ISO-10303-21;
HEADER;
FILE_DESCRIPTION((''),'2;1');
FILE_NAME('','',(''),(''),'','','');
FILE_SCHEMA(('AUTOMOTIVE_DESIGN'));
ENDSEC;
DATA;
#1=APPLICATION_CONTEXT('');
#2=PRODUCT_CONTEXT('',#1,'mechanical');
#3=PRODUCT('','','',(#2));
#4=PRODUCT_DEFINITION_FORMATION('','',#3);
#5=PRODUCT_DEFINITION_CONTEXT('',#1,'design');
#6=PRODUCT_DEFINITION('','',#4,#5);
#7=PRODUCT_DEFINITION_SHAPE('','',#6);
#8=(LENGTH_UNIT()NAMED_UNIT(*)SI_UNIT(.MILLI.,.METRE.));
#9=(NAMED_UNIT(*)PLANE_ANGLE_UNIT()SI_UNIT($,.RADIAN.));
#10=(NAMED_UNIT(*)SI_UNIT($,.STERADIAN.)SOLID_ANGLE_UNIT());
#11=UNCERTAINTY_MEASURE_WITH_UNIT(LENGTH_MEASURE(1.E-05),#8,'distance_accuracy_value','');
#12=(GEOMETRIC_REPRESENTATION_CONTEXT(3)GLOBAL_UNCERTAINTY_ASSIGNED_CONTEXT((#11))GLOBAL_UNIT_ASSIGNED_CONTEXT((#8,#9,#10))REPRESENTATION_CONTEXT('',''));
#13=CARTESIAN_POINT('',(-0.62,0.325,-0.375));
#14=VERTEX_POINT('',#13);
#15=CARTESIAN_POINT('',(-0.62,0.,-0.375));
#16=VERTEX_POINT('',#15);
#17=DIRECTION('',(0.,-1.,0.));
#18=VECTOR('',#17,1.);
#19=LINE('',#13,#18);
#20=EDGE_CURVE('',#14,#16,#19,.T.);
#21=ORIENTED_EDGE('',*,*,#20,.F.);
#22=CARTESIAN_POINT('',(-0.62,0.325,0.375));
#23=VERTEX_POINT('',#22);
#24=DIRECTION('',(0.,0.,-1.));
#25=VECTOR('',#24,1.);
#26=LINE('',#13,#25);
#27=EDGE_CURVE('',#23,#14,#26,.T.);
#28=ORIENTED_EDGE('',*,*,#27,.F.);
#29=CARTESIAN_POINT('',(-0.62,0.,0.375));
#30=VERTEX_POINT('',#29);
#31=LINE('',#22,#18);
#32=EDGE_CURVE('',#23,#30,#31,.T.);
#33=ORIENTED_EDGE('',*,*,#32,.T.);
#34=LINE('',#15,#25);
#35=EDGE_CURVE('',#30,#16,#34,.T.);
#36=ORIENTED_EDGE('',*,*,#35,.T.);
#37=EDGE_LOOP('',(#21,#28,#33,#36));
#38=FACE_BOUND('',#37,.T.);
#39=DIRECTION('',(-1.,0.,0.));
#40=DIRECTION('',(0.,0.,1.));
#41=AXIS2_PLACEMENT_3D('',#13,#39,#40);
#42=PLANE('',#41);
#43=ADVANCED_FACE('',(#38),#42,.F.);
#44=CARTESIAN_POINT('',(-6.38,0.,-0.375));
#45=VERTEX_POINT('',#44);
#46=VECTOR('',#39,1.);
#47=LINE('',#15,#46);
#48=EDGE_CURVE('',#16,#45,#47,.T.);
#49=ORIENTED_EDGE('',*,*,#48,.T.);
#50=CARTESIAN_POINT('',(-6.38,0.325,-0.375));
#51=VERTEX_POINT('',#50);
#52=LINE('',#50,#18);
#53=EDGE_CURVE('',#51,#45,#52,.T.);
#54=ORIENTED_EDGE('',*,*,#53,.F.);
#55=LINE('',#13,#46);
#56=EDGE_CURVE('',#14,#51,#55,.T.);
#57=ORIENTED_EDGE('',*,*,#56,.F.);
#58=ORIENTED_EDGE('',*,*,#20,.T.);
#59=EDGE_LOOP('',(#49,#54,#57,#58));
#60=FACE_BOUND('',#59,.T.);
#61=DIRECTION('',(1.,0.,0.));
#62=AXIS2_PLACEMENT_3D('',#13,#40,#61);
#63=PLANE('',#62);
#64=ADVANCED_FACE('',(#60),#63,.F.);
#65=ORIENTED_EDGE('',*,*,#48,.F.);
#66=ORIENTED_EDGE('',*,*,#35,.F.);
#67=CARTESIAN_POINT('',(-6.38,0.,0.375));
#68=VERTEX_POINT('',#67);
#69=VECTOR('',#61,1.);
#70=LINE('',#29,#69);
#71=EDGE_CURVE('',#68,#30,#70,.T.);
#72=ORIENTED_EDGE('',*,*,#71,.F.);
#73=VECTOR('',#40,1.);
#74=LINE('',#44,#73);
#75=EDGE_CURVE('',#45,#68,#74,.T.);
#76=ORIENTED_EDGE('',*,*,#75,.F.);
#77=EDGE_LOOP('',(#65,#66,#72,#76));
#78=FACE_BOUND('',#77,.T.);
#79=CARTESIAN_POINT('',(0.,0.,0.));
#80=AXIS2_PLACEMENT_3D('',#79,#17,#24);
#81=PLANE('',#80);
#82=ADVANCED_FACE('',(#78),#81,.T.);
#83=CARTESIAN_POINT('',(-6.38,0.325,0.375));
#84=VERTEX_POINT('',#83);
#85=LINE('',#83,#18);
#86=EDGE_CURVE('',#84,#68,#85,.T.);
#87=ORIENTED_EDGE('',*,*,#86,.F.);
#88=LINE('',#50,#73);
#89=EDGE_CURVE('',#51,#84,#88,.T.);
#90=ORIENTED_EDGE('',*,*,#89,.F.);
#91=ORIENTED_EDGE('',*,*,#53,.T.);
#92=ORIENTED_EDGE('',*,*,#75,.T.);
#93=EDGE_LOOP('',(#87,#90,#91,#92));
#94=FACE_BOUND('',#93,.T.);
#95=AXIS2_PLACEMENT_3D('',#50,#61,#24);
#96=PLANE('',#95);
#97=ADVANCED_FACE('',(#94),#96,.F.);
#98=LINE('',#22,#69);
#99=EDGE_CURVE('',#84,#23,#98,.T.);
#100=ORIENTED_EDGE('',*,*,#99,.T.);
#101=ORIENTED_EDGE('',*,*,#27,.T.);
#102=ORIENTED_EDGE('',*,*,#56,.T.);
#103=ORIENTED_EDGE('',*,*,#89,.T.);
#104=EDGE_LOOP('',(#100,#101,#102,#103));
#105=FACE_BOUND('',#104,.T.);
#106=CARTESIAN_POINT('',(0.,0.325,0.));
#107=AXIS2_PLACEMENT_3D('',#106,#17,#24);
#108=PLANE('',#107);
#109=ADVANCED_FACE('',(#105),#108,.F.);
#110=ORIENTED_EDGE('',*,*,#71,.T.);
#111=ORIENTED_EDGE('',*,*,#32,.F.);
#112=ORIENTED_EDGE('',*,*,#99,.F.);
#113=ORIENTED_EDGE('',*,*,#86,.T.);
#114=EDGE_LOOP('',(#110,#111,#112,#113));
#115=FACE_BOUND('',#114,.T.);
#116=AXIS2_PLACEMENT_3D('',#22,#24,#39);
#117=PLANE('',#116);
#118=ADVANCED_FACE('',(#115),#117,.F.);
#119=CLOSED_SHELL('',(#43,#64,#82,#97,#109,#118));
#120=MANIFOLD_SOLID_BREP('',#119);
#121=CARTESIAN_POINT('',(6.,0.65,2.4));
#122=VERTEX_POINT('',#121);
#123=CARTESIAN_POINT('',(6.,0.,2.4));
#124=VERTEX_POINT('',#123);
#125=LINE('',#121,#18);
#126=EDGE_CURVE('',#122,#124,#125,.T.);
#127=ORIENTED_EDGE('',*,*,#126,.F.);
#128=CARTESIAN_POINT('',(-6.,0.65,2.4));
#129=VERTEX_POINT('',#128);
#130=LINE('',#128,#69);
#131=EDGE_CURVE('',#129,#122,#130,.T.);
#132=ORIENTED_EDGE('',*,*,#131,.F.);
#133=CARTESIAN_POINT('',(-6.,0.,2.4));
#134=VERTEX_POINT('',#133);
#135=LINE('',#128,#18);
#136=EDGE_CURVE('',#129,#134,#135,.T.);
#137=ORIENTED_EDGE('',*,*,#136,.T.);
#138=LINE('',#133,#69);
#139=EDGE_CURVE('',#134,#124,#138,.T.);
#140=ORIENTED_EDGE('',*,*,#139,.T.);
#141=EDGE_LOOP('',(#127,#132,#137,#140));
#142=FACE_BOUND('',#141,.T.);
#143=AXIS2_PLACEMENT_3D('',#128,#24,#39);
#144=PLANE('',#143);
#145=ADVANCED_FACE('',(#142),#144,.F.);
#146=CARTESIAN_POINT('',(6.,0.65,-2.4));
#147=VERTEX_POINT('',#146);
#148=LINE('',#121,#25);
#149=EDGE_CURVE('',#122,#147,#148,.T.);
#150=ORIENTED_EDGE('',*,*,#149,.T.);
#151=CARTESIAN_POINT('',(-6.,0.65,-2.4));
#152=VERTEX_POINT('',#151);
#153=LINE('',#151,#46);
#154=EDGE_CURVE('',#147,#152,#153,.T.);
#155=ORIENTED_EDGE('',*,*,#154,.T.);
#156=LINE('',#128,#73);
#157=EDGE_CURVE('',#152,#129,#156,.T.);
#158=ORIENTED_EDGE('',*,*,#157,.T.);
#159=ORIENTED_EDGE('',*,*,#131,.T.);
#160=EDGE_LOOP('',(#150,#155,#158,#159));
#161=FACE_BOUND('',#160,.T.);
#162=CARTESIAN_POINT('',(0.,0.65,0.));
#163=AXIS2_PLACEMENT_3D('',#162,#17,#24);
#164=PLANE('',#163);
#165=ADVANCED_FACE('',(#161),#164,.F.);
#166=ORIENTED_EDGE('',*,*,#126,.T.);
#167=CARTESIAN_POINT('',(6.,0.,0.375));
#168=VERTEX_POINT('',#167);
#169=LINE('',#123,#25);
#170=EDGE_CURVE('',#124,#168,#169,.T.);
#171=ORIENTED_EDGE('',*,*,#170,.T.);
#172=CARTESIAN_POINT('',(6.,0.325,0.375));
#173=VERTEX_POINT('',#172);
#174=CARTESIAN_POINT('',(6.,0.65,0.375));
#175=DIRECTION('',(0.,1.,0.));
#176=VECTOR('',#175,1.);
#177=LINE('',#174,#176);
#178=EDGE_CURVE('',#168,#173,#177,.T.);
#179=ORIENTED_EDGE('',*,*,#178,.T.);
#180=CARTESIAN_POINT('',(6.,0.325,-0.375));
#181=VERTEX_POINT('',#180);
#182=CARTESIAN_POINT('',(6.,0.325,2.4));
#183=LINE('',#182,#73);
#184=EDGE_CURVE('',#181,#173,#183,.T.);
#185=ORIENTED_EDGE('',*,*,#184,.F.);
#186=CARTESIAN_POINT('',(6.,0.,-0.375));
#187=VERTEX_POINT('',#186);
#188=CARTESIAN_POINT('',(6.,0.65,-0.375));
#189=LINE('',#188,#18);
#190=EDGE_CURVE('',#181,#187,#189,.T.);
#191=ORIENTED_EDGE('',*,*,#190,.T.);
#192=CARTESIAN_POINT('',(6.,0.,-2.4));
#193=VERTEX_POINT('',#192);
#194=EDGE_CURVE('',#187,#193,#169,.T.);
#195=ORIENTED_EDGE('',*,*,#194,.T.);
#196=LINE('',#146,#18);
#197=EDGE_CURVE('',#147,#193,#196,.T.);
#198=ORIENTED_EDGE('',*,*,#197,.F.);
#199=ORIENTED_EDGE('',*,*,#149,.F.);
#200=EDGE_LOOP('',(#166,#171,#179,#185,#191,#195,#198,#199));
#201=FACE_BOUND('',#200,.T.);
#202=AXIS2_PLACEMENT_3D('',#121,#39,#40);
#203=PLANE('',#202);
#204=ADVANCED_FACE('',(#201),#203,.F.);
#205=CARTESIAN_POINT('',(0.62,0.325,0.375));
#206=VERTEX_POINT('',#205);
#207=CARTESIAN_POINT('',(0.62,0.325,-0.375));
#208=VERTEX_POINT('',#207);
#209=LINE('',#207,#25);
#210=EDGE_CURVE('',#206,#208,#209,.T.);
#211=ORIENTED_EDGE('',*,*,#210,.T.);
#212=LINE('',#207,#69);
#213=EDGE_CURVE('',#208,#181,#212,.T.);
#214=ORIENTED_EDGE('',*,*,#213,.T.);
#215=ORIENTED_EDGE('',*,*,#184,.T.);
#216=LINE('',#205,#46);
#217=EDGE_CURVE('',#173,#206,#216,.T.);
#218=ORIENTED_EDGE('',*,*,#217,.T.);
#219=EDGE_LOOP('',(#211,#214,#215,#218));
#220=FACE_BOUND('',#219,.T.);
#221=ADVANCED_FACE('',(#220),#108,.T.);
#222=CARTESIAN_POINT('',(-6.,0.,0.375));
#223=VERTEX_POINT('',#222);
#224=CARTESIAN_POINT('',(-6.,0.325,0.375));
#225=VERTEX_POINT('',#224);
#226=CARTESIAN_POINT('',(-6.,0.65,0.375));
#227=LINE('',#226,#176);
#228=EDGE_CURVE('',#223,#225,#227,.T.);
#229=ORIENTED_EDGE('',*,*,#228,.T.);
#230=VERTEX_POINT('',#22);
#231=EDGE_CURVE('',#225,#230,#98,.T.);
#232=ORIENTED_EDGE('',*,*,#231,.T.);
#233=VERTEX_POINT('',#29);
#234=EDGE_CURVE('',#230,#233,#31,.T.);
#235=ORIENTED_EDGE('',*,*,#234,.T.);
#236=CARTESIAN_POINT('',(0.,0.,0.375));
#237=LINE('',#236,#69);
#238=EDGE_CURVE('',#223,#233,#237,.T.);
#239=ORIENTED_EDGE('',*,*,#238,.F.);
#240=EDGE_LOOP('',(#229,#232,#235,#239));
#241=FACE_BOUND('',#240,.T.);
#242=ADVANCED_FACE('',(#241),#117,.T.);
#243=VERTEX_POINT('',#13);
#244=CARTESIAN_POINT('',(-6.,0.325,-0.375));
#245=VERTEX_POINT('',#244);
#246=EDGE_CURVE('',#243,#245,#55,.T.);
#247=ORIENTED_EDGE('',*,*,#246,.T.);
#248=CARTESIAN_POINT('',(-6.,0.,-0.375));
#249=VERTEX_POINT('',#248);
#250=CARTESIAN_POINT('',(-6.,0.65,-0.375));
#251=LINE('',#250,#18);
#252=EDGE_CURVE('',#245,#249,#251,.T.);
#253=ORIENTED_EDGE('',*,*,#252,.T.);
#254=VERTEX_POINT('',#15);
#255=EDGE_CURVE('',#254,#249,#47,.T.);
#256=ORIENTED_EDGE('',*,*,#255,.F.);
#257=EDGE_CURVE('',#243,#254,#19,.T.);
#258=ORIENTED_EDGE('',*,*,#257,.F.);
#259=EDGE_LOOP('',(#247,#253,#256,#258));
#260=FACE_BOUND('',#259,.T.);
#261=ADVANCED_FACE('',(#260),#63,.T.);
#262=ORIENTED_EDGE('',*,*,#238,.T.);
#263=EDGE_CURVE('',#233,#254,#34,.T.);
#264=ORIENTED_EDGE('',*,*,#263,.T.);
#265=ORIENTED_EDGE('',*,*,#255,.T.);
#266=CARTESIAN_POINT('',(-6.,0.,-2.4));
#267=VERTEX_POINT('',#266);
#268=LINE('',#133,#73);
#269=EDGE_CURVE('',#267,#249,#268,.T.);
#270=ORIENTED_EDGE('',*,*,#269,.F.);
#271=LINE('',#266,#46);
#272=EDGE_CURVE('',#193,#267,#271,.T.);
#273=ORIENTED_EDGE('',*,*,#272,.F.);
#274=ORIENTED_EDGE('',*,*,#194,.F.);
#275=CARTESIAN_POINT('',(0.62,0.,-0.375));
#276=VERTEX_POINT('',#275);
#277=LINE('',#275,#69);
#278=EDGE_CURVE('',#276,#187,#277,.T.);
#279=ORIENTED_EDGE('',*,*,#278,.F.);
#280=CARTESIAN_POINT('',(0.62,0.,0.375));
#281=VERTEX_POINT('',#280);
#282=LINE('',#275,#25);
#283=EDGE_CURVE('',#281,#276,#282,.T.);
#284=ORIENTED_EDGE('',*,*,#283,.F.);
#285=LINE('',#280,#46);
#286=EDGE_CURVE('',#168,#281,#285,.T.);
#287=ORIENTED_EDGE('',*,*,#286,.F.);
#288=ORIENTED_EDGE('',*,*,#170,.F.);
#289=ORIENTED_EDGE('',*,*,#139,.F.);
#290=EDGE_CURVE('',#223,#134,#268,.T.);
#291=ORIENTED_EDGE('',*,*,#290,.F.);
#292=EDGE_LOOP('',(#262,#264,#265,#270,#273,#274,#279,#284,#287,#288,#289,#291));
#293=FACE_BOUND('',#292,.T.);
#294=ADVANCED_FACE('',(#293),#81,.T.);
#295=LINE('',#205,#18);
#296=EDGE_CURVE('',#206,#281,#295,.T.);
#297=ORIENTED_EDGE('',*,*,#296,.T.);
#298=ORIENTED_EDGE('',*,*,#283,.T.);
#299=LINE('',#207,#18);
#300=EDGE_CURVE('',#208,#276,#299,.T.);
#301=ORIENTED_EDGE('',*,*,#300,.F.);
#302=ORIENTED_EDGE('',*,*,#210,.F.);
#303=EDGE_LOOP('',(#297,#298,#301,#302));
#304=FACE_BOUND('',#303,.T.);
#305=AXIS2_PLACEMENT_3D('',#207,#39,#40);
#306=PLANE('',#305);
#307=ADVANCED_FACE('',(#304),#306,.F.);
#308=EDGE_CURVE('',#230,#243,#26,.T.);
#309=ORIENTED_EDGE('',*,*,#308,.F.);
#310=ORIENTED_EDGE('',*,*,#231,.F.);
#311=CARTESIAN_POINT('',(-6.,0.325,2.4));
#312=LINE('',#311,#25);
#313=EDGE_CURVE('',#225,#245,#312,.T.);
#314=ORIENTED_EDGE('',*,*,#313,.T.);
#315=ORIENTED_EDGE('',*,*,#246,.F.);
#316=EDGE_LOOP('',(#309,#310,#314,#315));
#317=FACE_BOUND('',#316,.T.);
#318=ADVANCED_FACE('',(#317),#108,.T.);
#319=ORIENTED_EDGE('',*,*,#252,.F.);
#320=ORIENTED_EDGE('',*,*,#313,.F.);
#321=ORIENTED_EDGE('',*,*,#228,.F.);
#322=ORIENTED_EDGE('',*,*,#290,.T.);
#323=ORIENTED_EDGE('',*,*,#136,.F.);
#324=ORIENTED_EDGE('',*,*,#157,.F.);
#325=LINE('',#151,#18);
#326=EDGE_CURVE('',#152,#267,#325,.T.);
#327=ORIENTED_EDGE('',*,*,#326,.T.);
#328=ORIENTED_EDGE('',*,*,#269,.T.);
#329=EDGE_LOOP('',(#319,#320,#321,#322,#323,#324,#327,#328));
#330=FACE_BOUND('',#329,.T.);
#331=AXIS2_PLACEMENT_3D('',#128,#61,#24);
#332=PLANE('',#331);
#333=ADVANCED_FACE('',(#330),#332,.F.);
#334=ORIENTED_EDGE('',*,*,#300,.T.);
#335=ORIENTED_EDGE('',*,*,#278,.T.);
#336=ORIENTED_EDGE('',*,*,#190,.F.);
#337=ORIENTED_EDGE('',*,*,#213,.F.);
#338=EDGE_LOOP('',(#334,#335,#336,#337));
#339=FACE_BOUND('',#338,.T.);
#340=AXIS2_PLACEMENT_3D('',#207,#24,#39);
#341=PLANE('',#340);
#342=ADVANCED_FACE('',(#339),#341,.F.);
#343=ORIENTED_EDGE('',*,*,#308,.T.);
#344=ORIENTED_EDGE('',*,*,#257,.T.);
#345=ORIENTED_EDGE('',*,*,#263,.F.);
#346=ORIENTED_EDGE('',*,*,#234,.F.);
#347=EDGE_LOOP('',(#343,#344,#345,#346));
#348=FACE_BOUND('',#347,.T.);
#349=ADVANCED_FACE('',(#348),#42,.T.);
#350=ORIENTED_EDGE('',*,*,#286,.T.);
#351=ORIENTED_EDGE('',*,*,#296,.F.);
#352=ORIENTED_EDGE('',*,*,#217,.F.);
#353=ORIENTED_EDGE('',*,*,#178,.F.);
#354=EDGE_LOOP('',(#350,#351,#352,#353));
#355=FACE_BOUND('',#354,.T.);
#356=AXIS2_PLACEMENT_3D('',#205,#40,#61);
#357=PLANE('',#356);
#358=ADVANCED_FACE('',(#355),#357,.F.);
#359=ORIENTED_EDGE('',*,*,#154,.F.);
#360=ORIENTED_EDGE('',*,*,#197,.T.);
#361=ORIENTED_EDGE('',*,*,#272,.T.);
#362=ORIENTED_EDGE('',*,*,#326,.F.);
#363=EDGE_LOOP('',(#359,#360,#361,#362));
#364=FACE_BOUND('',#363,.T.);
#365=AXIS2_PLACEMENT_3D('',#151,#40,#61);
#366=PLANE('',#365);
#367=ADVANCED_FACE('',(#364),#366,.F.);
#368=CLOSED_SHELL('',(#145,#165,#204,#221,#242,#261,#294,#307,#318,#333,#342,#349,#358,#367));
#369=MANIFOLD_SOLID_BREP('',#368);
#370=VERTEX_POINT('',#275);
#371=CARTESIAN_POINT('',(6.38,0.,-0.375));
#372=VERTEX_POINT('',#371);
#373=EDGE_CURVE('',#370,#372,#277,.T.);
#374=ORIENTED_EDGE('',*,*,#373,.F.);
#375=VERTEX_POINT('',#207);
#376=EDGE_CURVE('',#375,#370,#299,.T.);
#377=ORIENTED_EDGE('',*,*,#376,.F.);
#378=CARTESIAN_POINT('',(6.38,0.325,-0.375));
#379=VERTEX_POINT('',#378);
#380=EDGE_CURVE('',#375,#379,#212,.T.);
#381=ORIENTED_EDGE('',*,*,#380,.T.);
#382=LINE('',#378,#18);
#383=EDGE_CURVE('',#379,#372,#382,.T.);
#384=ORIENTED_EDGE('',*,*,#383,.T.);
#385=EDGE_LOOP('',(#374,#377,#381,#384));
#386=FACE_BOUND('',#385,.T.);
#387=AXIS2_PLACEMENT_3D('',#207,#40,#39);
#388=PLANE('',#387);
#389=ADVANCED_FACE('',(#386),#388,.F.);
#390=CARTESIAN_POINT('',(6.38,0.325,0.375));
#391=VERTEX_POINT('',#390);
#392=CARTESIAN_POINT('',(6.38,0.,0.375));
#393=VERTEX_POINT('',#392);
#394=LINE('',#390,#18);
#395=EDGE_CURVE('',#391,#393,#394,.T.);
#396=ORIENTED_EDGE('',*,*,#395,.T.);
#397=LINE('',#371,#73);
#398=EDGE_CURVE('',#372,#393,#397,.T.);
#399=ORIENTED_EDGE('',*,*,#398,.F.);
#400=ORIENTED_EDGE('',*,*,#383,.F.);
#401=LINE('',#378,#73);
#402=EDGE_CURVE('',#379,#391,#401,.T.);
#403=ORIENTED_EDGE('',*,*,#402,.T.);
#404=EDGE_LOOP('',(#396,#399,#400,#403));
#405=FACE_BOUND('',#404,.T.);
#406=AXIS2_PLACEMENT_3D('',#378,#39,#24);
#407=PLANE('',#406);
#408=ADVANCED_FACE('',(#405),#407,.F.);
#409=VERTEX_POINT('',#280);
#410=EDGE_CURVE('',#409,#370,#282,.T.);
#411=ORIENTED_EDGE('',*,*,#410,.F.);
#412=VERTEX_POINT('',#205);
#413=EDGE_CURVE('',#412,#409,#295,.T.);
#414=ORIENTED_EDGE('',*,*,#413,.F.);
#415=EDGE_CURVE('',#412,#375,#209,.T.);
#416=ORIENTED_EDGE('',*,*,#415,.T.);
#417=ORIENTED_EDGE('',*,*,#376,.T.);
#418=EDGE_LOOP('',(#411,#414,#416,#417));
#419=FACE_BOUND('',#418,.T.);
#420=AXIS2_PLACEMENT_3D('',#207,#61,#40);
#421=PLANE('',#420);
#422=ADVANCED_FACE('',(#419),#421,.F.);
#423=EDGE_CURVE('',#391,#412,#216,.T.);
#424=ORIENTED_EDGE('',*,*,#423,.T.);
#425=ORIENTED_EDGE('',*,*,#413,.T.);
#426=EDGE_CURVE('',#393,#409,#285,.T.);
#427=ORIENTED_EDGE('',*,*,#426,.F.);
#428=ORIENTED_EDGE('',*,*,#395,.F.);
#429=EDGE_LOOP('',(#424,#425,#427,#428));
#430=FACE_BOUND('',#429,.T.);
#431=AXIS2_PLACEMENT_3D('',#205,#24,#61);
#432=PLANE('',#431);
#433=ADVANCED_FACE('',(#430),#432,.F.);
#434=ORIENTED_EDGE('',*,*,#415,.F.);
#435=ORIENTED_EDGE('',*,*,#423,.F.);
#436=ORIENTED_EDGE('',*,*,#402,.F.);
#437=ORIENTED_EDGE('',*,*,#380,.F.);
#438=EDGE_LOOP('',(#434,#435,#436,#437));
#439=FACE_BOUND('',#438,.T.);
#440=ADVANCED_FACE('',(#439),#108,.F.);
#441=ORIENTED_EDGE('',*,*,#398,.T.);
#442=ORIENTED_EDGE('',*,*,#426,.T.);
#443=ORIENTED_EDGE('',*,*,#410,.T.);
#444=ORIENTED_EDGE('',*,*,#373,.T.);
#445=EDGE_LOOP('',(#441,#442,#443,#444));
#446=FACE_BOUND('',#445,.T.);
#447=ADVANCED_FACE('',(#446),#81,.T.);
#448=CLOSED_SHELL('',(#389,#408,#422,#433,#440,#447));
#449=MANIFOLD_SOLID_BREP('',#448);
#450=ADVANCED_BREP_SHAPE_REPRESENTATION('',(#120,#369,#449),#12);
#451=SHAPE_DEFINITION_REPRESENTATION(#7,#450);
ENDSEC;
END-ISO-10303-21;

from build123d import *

# Parameters (mm, degrees)
SKETCH1_W           = 12
SKETCH1_H           = 4.8
BOSS_EXTRUDE1_DEPTH = 0.65
SKETCH2_W           = 5.76
SKETCH2_H           = 0.75
BOSS_EXTRUDE2_DEPTH = 0.325
SKETCH2_2_W         = 5.76
SKETCH2_2_H         = 0.75
CUT_EXTRUDE1_DEPTH  = 0.325


with BuildPart() as part:
    # Sketch1 → Boss-Extrude1 (new body)
    with BuildSketch(Plane(origin=(0, 0, 0), x_dir=(1, 0, 0), z_dir=(0, 1, 0))):
        Rectangle(SKETCH1_W, SKETCH1_H)
    extrude(amount=BOSS_EXTRUDE1_DEPTH)

    # Sketch2<2> → Cut-Extrude1 (cut)
    with BuildSketch(Plane(origin=(0, 0, 0), x_dir=(-1, 0, 0), z_dir=(0, 1, 0))):
        with Locations((3.5, 0)):
            Rectangle(SKETCH2_2_W, SKETCH2_2_H)
    cut_extrude1 = extrude(amount=CUT_EXTRUDE1_DEPTH, mode=Mode.SUBTRACT)

    # Mirror2: Cut-Extrude1 across plane
    add(cut_extrude1.mirror(Plane(origin=(0, 0, 0), x_dir=(0, 0, 1), z_dir=(1, 0, 0))), mode=Mode.SUBTRACT)


with BuildPart() as body_2:
    # Sketch2 → Boss-Extrude2 (new body)
    with BuildSketch(Plane(origin=(0, 0, 0), x_dir=(-1, 0, 0), z_dir=(0, 1, 0))):
        with Locations((3.5, 0)):
            Rectangle(SKETCH2_W, SKETCH2_H)
    extrude(amount=BOSS_EXTRUDE2_DEPTH)


with BuildPart() as body_3:
    # Mirror1: mirrored copy
    add(body_2.part.mirror(Plane(origin=(0, 0, 0), x_dir=(0, 0, 1), z_dir=(1, 0, 0))))


solid = Compound([part.part, body_2.part, body_3.part])
